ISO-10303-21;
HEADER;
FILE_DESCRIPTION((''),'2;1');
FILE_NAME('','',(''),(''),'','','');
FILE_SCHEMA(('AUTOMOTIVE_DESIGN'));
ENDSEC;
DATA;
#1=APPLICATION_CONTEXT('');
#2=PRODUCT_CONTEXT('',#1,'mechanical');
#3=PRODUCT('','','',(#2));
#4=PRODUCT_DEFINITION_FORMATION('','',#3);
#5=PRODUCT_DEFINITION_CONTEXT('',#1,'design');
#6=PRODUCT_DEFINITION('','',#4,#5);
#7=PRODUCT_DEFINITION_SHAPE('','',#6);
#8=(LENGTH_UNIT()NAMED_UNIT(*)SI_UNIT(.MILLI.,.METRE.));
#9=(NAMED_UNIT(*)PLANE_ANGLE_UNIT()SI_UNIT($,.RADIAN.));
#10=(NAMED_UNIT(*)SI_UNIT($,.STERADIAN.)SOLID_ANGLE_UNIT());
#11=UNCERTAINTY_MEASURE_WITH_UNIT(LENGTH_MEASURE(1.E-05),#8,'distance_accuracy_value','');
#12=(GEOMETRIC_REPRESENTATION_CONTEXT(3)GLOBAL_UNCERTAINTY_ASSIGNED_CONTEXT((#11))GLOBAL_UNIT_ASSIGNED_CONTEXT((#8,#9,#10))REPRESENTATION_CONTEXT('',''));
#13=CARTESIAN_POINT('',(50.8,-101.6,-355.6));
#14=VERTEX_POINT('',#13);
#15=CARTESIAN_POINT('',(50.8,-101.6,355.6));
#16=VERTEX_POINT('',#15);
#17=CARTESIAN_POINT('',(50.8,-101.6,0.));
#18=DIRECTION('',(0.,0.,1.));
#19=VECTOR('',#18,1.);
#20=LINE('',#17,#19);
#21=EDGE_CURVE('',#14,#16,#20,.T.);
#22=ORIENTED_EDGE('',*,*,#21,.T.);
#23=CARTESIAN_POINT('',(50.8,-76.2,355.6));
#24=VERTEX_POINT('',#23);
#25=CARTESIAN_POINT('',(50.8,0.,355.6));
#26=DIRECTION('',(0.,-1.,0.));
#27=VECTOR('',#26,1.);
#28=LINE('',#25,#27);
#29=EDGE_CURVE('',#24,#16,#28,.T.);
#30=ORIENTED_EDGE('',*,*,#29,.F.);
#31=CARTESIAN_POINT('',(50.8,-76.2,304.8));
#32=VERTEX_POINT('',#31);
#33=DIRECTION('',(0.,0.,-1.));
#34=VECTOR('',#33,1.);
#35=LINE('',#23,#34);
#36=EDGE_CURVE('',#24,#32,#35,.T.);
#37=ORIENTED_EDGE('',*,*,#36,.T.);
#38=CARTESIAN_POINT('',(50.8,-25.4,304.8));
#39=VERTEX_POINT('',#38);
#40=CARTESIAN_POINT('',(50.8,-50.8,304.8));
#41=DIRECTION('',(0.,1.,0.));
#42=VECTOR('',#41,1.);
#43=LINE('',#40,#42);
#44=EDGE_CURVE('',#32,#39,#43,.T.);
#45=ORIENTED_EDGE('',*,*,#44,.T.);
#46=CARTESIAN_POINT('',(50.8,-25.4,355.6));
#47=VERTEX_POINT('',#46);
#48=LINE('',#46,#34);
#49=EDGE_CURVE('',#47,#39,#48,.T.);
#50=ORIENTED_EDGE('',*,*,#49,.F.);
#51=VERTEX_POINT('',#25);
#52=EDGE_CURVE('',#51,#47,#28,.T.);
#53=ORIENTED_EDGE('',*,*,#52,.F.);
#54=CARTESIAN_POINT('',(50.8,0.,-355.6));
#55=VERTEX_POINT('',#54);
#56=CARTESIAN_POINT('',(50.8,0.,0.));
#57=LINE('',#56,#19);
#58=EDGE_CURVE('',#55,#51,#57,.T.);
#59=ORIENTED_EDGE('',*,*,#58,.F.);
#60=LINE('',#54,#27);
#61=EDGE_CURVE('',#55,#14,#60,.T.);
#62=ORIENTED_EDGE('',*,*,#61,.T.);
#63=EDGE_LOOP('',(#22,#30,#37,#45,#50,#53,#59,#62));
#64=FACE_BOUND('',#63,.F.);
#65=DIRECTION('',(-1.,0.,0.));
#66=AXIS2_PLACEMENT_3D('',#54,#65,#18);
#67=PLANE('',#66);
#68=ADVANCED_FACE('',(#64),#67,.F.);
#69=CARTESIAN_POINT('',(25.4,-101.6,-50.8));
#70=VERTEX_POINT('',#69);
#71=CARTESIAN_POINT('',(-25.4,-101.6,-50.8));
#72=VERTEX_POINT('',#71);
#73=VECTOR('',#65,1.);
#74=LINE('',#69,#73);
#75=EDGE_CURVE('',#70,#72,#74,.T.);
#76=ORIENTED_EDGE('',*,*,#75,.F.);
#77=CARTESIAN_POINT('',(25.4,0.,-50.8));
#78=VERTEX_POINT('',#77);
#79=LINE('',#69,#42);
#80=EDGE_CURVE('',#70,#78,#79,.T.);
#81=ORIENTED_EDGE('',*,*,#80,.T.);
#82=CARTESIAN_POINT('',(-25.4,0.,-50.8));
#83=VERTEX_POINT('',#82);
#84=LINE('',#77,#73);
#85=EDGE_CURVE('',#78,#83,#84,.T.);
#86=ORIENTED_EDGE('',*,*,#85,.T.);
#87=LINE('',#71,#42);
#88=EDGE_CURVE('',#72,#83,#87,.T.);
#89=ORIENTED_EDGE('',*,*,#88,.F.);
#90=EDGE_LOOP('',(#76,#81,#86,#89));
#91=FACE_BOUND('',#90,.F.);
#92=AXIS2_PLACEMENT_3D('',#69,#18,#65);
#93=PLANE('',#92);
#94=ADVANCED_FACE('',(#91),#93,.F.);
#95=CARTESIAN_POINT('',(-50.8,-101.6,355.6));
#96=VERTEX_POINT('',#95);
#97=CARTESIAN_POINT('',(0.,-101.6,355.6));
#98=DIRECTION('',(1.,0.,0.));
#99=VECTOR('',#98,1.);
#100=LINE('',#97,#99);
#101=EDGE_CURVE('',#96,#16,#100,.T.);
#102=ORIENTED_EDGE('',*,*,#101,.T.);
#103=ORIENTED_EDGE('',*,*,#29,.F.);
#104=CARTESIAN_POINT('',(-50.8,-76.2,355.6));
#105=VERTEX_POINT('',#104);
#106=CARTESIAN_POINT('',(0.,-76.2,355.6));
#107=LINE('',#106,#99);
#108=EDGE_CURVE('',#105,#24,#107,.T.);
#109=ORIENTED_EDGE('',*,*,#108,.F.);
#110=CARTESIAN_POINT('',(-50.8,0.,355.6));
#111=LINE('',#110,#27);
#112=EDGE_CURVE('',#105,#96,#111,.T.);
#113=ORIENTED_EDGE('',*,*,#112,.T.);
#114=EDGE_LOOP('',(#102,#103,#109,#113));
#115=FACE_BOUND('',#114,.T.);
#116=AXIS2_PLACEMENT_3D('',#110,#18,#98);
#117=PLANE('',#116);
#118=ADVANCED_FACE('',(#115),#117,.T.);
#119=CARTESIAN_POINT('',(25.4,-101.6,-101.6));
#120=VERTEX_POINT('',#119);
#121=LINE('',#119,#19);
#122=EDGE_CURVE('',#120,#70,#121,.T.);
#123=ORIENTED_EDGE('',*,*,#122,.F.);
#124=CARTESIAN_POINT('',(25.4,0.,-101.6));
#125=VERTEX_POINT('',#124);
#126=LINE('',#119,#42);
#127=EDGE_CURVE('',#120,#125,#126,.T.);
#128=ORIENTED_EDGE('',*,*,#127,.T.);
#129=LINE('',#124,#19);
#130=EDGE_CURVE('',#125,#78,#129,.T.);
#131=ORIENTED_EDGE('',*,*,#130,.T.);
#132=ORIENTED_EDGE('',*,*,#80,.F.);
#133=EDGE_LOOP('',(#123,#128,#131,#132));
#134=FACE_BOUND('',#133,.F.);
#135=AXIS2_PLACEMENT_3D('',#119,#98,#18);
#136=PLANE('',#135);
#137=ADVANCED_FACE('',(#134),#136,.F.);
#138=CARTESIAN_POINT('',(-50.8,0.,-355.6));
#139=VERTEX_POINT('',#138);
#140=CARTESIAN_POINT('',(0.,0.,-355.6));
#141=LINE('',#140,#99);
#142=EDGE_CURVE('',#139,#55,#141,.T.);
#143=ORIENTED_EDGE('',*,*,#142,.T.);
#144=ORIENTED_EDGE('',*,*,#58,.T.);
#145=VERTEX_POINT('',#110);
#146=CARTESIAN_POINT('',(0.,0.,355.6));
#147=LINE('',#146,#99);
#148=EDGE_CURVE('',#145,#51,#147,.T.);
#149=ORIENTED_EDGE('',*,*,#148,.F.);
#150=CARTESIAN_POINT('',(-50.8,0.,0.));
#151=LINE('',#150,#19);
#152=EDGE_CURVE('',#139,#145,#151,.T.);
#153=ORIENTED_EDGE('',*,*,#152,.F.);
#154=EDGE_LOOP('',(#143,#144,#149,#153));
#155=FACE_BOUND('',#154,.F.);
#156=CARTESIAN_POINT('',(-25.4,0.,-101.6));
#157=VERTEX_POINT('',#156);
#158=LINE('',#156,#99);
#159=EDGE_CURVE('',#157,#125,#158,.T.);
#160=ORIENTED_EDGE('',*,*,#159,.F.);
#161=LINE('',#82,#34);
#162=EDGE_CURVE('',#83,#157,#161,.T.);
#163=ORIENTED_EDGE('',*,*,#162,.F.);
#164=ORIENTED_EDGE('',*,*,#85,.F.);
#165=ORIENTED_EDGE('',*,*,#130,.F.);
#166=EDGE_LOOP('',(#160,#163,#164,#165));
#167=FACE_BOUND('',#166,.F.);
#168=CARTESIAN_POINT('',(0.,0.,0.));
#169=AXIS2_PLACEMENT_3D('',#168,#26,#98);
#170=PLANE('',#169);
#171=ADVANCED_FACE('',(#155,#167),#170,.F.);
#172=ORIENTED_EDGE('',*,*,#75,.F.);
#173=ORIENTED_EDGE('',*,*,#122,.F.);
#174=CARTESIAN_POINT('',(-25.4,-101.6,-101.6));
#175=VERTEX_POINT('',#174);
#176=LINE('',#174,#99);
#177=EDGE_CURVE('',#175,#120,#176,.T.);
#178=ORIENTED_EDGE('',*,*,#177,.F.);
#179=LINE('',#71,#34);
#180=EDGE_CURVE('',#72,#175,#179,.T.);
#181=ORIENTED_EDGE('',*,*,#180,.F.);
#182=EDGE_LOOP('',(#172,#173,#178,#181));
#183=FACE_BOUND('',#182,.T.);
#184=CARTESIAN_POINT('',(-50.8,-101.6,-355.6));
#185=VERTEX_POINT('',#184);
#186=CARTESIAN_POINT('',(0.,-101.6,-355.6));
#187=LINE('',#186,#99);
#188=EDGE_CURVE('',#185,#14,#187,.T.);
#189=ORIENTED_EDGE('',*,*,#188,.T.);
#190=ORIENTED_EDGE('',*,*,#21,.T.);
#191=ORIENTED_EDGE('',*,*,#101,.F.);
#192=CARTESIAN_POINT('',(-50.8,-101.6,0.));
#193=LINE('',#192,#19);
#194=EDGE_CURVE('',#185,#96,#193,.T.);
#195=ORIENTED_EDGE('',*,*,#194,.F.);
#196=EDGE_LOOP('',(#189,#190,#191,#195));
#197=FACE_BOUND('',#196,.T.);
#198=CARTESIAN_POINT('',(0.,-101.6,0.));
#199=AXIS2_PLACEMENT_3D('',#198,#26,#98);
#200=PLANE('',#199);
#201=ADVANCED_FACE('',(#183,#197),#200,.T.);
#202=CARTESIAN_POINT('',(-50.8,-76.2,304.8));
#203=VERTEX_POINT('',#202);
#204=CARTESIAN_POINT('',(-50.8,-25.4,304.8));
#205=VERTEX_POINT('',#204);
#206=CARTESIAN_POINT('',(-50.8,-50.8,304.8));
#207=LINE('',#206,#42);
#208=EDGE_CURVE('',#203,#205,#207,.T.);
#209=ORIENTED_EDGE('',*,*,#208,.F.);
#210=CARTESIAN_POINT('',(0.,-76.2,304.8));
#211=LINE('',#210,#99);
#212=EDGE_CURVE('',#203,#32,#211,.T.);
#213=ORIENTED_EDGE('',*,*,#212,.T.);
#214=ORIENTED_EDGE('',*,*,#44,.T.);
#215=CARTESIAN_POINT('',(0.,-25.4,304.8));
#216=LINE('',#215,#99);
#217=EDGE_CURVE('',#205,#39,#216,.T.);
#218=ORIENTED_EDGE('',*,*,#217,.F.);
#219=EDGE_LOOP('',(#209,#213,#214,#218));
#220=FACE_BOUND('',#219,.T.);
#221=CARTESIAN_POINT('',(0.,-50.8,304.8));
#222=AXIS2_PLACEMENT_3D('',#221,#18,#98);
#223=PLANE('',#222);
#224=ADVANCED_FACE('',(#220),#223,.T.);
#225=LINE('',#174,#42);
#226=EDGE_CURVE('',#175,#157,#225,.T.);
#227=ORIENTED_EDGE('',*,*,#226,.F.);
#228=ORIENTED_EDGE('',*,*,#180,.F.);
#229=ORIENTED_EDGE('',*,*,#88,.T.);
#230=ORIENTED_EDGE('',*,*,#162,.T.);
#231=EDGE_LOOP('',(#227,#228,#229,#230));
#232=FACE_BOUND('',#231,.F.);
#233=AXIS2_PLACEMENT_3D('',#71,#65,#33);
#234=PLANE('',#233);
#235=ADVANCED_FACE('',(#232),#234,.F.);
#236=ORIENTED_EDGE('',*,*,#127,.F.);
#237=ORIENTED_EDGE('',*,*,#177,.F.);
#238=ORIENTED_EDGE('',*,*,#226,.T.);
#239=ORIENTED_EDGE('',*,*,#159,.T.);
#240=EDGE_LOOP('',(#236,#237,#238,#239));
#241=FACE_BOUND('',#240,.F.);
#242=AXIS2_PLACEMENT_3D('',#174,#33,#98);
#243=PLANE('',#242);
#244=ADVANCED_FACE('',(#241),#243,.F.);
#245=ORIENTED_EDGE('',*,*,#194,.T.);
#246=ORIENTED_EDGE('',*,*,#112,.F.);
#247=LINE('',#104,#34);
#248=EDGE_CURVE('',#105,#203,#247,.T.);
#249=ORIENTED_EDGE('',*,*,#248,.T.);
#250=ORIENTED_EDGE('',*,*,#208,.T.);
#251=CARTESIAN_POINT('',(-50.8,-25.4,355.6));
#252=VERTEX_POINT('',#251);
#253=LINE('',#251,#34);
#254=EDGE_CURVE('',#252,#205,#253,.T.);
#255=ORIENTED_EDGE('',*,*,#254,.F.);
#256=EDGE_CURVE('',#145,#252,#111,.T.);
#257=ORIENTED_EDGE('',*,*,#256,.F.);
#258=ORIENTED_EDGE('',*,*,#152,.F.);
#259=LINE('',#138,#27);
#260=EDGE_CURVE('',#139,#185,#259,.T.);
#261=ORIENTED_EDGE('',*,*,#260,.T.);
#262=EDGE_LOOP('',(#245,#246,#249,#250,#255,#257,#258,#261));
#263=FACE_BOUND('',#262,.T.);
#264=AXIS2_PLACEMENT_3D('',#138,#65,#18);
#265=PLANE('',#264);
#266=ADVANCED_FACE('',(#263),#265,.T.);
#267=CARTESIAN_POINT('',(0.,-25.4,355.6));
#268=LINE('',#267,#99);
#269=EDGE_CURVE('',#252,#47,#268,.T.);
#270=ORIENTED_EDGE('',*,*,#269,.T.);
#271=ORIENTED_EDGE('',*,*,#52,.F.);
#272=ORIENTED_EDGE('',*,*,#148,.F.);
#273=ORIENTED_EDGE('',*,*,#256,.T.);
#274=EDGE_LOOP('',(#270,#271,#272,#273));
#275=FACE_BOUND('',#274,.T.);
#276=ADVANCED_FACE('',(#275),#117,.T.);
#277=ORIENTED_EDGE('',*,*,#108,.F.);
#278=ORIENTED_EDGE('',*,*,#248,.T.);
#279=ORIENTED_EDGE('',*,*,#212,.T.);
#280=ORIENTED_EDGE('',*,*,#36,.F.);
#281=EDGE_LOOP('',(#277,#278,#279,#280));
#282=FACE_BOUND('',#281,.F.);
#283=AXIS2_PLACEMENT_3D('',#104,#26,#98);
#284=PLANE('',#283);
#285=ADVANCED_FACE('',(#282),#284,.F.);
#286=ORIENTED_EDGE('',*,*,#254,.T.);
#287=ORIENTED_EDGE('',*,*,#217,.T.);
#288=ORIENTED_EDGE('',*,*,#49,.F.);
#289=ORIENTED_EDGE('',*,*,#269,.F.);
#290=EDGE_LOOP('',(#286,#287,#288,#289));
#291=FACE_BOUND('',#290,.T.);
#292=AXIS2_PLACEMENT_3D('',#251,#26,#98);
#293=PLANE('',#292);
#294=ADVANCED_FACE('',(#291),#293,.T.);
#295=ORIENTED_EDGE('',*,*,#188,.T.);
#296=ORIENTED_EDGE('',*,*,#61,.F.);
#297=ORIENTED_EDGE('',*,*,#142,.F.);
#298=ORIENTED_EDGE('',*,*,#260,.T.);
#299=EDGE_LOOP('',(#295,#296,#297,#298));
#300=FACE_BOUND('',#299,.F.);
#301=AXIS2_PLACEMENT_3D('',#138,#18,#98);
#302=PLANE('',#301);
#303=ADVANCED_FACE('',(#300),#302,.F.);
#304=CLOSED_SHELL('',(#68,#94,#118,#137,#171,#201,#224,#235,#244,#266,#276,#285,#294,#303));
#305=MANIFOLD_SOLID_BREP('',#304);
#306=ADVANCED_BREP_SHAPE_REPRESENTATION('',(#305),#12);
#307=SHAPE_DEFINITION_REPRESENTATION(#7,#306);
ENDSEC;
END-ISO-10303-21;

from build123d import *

# Parameters (mm, degrees)
F0_W     = 101.6
F0_H     = 711.2
F1_DEPTH = 101.6
F2_W     = 101.6
F2_H     = 50.8
F3_DEPTH = 50.8
F5_DEPTH = 101.6


with BuildPart() as f1:
    # F0 (on Front) → F1 (new body)
    with BuildSketch(Plane.XZ):
        Rectangle(F0_W, F0_H)
    extrude(amount=F1_DEPTH)

    # F2 (on face) → F3 (cut)
    with BuildSketch(Plane.XY.offset(355.6)):
        with Locations((0, -50.8)):
            Rectangle(F2_W, F2_H)
    extrude(amount=-F3_DEPTH, mode=Mode.SUBTRACT)

    # F4 (on face) → F5 (cut)
    with BuildSketch(Plane.XZ.offset(101.6)):
        Polygon((0, -101.6), (25.4, -101.6), (25.4, -50.8), (-25.4, -50.8), (-25.4, -101.6), align=None)
    extrude(amount=-F5_DEPTH, mode=Mode.SUBTRACT)


solid = f1.part
